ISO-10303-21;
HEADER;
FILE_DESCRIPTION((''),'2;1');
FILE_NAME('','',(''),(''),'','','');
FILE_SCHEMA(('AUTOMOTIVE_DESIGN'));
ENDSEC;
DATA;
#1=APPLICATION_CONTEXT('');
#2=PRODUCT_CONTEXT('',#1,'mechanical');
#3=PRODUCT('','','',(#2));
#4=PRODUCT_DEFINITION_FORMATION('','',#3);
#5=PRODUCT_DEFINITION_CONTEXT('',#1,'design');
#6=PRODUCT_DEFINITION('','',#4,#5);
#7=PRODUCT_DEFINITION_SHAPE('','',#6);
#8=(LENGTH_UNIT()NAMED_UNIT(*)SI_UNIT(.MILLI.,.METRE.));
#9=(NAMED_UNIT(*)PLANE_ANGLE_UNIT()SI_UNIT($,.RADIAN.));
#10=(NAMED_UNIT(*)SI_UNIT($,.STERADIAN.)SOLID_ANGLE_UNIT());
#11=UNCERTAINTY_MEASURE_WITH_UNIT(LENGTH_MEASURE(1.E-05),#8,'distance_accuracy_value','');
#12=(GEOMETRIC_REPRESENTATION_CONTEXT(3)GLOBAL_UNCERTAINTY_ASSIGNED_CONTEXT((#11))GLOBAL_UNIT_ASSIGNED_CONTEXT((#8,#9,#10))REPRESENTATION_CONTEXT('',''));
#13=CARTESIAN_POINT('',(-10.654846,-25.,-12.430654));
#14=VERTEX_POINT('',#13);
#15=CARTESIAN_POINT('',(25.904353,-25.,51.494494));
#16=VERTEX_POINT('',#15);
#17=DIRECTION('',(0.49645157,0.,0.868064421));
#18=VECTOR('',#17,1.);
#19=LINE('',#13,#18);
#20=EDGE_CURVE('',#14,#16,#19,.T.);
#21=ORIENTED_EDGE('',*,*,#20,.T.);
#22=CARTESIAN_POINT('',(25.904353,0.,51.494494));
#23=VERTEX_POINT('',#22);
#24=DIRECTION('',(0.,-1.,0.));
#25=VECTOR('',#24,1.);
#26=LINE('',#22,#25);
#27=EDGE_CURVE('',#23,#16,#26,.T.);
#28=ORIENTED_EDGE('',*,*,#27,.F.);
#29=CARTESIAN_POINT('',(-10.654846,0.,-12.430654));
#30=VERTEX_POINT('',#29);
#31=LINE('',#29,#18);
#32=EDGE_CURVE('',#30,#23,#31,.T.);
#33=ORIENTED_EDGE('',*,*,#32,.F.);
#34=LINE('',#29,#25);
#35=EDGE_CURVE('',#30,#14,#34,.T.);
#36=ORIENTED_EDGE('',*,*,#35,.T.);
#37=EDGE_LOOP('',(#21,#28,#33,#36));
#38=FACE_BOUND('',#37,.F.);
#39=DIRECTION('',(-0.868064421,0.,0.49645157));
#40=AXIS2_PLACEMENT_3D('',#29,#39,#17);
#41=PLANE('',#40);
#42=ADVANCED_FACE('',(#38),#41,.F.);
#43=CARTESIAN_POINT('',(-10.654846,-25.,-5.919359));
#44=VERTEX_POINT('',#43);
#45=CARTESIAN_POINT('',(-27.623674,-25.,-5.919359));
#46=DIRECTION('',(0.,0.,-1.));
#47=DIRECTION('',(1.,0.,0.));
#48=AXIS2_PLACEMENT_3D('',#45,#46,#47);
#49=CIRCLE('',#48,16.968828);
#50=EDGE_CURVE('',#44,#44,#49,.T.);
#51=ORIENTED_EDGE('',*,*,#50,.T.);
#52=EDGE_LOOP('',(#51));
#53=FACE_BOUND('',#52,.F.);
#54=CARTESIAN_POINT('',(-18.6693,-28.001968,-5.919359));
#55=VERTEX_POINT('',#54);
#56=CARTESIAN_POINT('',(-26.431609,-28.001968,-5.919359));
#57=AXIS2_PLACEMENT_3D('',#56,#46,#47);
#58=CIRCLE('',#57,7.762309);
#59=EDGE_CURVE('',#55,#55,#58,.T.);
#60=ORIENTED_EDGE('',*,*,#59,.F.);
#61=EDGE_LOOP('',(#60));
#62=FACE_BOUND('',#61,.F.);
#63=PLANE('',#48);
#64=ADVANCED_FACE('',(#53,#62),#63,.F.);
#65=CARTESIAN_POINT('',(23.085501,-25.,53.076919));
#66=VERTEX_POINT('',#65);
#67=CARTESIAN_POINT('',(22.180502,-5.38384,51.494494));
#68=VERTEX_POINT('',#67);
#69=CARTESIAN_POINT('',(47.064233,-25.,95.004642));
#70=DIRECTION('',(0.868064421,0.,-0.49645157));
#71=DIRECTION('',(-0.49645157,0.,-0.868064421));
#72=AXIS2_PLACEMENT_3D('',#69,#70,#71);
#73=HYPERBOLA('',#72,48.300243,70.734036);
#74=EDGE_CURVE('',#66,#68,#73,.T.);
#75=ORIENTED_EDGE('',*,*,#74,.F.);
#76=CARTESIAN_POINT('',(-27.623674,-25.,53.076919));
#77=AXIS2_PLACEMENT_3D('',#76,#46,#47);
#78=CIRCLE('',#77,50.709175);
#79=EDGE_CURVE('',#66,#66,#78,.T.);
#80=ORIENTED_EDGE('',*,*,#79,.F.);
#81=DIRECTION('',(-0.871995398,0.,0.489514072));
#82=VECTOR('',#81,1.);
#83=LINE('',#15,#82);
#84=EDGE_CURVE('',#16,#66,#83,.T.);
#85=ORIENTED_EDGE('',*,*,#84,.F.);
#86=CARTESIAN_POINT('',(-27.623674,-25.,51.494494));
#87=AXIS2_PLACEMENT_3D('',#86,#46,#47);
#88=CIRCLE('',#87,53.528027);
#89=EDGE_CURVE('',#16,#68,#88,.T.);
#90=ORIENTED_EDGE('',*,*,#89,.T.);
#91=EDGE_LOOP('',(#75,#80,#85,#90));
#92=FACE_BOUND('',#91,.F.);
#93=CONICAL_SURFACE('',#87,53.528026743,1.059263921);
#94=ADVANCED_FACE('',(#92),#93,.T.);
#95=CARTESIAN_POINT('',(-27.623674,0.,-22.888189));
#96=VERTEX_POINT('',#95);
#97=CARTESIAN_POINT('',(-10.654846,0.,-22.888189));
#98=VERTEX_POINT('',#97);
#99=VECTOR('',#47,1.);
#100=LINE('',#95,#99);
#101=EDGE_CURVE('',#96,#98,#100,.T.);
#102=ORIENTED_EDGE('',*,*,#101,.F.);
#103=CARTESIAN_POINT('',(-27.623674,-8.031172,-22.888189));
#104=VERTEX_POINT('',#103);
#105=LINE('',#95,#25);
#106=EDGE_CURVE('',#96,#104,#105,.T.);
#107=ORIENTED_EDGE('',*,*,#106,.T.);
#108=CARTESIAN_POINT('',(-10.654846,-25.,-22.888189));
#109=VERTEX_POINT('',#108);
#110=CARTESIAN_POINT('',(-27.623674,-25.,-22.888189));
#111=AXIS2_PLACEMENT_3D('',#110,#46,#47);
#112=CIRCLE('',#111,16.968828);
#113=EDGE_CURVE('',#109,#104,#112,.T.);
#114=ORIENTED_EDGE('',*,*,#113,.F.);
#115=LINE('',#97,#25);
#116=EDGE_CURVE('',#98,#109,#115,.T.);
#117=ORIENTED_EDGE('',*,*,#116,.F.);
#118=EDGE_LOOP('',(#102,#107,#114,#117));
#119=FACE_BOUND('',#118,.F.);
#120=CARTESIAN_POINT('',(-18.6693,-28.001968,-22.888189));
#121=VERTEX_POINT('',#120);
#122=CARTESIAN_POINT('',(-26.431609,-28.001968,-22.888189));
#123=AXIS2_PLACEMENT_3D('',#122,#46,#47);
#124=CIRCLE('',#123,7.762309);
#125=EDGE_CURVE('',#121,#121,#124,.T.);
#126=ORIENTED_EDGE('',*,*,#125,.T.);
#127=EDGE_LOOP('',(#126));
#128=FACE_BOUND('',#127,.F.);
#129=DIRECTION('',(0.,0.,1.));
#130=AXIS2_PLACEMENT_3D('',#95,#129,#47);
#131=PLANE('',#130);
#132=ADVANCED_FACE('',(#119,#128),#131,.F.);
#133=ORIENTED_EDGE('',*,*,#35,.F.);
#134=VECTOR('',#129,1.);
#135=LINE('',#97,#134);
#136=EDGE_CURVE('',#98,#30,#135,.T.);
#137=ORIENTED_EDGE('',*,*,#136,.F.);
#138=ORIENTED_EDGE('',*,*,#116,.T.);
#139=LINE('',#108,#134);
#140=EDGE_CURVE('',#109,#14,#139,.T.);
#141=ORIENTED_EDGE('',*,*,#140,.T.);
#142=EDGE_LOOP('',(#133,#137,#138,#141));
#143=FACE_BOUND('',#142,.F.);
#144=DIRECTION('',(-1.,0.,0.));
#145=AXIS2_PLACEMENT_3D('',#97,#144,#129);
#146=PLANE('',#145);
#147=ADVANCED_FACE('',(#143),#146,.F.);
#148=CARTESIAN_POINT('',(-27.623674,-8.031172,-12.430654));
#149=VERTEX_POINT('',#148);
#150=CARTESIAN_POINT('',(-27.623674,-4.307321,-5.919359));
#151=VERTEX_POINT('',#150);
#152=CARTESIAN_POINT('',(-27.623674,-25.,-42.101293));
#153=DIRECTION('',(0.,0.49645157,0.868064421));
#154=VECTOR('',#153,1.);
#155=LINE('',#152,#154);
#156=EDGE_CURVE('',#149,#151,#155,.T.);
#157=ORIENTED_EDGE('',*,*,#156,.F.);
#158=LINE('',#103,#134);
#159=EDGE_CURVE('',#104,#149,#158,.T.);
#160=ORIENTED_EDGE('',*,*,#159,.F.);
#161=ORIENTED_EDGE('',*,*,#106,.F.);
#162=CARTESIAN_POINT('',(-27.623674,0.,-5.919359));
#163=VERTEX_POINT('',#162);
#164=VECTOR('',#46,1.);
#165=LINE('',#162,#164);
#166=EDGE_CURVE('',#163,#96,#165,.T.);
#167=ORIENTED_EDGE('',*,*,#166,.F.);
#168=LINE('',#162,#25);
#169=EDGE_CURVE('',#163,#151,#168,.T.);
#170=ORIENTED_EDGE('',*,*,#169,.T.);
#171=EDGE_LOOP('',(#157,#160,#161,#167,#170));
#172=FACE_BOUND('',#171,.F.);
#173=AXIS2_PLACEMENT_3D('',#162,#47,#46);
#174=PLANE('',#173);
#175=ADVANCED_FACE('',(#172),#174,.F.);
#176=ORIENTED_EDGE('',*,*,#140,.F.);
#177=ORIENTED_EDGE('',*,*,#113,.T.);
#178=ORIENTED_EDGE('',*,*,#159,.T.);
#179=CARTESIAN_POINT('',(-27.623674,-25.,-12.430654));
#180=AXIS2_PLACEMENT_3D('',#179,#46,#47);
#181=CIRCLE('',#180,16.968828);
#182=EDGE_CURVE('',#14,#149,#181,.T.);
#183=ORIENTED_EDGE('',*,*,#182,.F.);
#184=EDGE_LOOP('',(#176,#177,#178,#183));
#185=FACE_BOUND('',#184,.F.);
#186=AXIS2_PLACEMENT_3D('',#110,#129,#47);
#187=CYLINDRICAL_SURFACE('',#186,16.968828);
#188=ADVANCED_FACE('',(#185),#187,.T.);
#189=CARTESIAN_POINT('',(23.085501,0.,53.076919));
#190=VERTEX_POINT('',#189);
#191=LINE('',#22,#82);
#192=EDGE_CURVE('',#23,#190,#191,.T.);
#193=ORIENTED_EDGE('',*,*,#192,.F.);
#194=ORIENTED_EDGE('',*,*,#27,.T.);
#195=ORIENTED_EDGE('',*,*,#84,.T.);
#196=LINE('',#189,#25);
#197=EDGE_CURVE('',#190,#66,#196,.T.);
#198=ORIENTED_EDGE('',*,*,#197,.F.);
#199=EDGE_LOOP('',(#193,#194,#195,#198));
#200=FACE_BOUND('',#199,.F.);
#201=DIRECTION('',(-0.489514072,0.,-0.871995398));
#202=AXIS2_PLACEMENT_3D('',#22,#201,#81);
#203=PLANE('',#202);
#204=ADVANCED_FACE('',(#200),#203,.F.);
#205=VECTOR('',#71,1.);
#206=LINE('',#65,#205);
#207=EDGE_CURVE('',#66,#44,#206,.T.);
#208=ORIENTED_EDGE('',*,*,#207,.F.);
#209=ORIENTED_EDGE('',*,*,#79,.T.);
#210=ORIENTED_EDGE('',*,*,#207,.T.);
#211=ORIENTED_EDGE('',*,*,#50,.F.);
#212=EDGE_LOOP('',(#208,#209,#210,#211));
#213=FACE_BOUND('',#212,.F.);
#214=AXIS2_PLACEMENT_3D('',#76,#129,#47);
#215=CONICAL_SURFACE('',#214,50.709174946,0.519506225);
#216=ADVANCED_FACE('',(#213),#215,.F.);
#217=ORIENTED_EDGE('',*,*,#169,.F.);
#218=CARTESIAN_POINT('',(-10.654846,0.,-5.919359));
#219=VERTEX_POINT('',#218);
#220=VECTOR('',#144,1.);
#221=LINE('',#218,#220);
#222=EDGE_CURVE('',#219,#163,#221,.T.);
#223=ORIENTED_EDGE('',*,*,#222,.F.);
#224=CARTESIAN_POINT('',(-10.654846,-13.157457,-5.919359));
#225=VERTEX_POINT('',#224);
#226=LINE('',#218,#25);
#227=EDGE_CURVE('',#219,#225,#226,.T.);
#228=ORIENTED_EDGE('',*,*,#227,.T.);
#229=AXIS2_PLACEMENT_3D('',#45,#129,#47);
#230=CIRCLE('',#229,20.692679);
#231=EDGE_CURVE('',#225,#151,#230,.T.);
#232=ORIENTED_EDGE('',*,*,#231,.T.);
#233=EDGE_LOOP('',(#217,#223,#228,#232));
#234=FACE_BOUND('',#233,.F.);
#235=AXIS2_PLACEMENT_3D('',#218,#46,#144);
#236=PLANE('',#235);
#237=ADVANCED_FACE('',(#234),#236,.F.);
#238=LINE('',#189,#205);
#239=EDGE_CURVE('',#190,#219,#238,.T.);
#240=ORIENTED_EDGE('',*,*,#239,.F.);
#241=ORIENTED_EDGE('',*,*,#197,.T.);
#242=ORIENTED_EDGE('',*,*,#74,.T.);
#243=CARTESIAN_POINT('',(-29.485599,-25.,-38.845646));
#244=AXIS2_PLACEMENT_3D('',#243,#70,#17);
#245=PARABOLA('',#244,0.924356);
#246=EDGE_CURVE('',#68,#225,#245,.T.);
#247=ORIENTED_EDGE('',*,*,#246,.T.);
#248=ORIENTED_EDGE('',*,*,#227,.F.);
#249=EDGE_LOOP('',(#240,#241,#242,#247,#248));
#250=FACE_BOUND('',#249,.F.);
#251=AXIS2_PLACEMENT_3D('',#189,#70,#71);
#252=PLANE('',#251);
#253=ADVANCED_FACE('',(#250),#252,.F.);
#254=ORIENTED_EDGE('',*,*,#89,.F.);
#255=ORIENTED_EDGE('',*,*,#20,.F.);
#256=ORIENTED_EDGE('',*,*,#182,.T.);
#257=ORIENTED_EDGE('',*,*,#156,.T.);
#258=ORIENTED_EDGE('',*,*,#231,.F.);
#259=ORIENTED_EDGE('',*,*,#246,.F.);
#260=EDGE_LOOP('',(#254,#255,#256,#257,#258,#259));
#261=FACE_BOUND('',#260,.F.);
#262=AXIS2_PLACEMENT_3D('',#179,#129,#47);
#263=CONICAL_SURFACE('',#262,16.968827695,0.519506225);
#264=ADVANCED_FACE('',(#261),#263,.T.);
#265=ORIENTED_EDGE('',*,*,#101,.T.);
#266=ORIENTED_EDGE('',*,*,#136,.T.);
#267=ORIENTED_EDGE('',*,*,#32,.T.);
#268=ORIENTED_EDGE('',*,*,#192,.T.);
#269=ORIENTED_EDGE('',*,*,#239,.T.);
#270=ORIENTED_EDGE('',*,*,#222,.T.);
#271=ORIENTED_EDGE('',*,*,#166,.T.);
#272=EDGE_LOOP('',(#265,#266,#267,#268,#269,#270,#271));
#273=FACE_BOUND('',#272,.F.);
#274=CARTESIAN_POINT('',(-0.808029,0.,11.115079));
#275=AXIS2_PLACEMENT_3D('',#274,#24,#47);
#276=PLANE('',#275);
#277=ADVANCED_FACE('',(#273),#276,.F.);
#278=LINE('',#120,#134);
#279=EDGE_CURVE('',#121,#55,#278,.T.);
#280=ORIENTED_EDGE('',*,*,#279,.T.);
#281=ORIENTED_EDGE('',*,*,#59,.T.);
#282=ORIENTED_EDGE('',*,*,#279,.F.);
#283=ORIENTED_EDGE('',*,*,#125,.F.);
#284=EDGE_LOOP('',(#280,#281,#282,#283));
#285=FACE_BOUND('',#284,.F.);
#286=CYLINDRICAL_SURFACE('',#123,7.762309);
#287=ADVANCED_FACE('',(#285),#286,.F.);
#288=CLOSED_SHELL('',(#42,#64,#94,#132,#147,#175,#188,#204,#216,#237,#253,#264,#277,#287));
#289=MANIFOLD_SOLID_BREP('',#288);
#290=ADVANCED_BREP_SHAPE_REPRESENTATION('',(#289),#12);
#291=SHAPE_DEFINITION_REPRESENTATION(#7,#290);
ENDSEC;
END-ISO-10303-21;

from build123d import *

# Parameters (mm, degrees)
F1_DEPTH = 25
F3_R     = 7.7623093382
F4_DEPTH = 25


with BuildPart() as f1:
    # F0 (on Front) → F1 (new body)
    with BuildSketch(Plane.XZ):
        Polygon((25.9043528415, 51.4944938206), (23.085501045, 53.0769191682), (-10.6548462063, -5.9193591587), (-27.623673901, -5.9193591587), (-27.623673901, -22.8881891817), (-10.6548462063, -22.8881891817), (-10.6548462063, -12.4306539074), align=None)
    extrude(amount=F1_DEPTH)

    # F1_face (on face) → F2 (revolve)
    with BuildSketch(Plane(origin=(-7.5947034843, -25, 1.5087803319), x_dir=(1, 0, 0), z_dir=(0, -1, 0))):
        Polygon((33.4990563258, 49.9857134887), (30.6802045293, 51.5681388363), (-3.060142722, -7.4281394906), (-20.0289704167, -7.4281394906), (-20.0289704167, -24.3969695136), (-3.060142722, -24.3969695136), (-3.060142722, -13.9394342393), align=None)
    revolve(axis=Axis((-27.623673901, -25, -14.4037741702), (0, 0, -1)))

    # F3 (on face) → F4 (cut)
    with BuildSketch(Plane(origin=(0, 0, -22.8881891817), x_dir=(1, 0, 0), z_dir=(0, 0, -1))):
        with Locations((-26.4316089451, 28.0019678175)):
            Circle(F3_R)
    extrude(amount=-F4_DEPTH, mode=Mode.SUBTRACT)


solid = f1.part
